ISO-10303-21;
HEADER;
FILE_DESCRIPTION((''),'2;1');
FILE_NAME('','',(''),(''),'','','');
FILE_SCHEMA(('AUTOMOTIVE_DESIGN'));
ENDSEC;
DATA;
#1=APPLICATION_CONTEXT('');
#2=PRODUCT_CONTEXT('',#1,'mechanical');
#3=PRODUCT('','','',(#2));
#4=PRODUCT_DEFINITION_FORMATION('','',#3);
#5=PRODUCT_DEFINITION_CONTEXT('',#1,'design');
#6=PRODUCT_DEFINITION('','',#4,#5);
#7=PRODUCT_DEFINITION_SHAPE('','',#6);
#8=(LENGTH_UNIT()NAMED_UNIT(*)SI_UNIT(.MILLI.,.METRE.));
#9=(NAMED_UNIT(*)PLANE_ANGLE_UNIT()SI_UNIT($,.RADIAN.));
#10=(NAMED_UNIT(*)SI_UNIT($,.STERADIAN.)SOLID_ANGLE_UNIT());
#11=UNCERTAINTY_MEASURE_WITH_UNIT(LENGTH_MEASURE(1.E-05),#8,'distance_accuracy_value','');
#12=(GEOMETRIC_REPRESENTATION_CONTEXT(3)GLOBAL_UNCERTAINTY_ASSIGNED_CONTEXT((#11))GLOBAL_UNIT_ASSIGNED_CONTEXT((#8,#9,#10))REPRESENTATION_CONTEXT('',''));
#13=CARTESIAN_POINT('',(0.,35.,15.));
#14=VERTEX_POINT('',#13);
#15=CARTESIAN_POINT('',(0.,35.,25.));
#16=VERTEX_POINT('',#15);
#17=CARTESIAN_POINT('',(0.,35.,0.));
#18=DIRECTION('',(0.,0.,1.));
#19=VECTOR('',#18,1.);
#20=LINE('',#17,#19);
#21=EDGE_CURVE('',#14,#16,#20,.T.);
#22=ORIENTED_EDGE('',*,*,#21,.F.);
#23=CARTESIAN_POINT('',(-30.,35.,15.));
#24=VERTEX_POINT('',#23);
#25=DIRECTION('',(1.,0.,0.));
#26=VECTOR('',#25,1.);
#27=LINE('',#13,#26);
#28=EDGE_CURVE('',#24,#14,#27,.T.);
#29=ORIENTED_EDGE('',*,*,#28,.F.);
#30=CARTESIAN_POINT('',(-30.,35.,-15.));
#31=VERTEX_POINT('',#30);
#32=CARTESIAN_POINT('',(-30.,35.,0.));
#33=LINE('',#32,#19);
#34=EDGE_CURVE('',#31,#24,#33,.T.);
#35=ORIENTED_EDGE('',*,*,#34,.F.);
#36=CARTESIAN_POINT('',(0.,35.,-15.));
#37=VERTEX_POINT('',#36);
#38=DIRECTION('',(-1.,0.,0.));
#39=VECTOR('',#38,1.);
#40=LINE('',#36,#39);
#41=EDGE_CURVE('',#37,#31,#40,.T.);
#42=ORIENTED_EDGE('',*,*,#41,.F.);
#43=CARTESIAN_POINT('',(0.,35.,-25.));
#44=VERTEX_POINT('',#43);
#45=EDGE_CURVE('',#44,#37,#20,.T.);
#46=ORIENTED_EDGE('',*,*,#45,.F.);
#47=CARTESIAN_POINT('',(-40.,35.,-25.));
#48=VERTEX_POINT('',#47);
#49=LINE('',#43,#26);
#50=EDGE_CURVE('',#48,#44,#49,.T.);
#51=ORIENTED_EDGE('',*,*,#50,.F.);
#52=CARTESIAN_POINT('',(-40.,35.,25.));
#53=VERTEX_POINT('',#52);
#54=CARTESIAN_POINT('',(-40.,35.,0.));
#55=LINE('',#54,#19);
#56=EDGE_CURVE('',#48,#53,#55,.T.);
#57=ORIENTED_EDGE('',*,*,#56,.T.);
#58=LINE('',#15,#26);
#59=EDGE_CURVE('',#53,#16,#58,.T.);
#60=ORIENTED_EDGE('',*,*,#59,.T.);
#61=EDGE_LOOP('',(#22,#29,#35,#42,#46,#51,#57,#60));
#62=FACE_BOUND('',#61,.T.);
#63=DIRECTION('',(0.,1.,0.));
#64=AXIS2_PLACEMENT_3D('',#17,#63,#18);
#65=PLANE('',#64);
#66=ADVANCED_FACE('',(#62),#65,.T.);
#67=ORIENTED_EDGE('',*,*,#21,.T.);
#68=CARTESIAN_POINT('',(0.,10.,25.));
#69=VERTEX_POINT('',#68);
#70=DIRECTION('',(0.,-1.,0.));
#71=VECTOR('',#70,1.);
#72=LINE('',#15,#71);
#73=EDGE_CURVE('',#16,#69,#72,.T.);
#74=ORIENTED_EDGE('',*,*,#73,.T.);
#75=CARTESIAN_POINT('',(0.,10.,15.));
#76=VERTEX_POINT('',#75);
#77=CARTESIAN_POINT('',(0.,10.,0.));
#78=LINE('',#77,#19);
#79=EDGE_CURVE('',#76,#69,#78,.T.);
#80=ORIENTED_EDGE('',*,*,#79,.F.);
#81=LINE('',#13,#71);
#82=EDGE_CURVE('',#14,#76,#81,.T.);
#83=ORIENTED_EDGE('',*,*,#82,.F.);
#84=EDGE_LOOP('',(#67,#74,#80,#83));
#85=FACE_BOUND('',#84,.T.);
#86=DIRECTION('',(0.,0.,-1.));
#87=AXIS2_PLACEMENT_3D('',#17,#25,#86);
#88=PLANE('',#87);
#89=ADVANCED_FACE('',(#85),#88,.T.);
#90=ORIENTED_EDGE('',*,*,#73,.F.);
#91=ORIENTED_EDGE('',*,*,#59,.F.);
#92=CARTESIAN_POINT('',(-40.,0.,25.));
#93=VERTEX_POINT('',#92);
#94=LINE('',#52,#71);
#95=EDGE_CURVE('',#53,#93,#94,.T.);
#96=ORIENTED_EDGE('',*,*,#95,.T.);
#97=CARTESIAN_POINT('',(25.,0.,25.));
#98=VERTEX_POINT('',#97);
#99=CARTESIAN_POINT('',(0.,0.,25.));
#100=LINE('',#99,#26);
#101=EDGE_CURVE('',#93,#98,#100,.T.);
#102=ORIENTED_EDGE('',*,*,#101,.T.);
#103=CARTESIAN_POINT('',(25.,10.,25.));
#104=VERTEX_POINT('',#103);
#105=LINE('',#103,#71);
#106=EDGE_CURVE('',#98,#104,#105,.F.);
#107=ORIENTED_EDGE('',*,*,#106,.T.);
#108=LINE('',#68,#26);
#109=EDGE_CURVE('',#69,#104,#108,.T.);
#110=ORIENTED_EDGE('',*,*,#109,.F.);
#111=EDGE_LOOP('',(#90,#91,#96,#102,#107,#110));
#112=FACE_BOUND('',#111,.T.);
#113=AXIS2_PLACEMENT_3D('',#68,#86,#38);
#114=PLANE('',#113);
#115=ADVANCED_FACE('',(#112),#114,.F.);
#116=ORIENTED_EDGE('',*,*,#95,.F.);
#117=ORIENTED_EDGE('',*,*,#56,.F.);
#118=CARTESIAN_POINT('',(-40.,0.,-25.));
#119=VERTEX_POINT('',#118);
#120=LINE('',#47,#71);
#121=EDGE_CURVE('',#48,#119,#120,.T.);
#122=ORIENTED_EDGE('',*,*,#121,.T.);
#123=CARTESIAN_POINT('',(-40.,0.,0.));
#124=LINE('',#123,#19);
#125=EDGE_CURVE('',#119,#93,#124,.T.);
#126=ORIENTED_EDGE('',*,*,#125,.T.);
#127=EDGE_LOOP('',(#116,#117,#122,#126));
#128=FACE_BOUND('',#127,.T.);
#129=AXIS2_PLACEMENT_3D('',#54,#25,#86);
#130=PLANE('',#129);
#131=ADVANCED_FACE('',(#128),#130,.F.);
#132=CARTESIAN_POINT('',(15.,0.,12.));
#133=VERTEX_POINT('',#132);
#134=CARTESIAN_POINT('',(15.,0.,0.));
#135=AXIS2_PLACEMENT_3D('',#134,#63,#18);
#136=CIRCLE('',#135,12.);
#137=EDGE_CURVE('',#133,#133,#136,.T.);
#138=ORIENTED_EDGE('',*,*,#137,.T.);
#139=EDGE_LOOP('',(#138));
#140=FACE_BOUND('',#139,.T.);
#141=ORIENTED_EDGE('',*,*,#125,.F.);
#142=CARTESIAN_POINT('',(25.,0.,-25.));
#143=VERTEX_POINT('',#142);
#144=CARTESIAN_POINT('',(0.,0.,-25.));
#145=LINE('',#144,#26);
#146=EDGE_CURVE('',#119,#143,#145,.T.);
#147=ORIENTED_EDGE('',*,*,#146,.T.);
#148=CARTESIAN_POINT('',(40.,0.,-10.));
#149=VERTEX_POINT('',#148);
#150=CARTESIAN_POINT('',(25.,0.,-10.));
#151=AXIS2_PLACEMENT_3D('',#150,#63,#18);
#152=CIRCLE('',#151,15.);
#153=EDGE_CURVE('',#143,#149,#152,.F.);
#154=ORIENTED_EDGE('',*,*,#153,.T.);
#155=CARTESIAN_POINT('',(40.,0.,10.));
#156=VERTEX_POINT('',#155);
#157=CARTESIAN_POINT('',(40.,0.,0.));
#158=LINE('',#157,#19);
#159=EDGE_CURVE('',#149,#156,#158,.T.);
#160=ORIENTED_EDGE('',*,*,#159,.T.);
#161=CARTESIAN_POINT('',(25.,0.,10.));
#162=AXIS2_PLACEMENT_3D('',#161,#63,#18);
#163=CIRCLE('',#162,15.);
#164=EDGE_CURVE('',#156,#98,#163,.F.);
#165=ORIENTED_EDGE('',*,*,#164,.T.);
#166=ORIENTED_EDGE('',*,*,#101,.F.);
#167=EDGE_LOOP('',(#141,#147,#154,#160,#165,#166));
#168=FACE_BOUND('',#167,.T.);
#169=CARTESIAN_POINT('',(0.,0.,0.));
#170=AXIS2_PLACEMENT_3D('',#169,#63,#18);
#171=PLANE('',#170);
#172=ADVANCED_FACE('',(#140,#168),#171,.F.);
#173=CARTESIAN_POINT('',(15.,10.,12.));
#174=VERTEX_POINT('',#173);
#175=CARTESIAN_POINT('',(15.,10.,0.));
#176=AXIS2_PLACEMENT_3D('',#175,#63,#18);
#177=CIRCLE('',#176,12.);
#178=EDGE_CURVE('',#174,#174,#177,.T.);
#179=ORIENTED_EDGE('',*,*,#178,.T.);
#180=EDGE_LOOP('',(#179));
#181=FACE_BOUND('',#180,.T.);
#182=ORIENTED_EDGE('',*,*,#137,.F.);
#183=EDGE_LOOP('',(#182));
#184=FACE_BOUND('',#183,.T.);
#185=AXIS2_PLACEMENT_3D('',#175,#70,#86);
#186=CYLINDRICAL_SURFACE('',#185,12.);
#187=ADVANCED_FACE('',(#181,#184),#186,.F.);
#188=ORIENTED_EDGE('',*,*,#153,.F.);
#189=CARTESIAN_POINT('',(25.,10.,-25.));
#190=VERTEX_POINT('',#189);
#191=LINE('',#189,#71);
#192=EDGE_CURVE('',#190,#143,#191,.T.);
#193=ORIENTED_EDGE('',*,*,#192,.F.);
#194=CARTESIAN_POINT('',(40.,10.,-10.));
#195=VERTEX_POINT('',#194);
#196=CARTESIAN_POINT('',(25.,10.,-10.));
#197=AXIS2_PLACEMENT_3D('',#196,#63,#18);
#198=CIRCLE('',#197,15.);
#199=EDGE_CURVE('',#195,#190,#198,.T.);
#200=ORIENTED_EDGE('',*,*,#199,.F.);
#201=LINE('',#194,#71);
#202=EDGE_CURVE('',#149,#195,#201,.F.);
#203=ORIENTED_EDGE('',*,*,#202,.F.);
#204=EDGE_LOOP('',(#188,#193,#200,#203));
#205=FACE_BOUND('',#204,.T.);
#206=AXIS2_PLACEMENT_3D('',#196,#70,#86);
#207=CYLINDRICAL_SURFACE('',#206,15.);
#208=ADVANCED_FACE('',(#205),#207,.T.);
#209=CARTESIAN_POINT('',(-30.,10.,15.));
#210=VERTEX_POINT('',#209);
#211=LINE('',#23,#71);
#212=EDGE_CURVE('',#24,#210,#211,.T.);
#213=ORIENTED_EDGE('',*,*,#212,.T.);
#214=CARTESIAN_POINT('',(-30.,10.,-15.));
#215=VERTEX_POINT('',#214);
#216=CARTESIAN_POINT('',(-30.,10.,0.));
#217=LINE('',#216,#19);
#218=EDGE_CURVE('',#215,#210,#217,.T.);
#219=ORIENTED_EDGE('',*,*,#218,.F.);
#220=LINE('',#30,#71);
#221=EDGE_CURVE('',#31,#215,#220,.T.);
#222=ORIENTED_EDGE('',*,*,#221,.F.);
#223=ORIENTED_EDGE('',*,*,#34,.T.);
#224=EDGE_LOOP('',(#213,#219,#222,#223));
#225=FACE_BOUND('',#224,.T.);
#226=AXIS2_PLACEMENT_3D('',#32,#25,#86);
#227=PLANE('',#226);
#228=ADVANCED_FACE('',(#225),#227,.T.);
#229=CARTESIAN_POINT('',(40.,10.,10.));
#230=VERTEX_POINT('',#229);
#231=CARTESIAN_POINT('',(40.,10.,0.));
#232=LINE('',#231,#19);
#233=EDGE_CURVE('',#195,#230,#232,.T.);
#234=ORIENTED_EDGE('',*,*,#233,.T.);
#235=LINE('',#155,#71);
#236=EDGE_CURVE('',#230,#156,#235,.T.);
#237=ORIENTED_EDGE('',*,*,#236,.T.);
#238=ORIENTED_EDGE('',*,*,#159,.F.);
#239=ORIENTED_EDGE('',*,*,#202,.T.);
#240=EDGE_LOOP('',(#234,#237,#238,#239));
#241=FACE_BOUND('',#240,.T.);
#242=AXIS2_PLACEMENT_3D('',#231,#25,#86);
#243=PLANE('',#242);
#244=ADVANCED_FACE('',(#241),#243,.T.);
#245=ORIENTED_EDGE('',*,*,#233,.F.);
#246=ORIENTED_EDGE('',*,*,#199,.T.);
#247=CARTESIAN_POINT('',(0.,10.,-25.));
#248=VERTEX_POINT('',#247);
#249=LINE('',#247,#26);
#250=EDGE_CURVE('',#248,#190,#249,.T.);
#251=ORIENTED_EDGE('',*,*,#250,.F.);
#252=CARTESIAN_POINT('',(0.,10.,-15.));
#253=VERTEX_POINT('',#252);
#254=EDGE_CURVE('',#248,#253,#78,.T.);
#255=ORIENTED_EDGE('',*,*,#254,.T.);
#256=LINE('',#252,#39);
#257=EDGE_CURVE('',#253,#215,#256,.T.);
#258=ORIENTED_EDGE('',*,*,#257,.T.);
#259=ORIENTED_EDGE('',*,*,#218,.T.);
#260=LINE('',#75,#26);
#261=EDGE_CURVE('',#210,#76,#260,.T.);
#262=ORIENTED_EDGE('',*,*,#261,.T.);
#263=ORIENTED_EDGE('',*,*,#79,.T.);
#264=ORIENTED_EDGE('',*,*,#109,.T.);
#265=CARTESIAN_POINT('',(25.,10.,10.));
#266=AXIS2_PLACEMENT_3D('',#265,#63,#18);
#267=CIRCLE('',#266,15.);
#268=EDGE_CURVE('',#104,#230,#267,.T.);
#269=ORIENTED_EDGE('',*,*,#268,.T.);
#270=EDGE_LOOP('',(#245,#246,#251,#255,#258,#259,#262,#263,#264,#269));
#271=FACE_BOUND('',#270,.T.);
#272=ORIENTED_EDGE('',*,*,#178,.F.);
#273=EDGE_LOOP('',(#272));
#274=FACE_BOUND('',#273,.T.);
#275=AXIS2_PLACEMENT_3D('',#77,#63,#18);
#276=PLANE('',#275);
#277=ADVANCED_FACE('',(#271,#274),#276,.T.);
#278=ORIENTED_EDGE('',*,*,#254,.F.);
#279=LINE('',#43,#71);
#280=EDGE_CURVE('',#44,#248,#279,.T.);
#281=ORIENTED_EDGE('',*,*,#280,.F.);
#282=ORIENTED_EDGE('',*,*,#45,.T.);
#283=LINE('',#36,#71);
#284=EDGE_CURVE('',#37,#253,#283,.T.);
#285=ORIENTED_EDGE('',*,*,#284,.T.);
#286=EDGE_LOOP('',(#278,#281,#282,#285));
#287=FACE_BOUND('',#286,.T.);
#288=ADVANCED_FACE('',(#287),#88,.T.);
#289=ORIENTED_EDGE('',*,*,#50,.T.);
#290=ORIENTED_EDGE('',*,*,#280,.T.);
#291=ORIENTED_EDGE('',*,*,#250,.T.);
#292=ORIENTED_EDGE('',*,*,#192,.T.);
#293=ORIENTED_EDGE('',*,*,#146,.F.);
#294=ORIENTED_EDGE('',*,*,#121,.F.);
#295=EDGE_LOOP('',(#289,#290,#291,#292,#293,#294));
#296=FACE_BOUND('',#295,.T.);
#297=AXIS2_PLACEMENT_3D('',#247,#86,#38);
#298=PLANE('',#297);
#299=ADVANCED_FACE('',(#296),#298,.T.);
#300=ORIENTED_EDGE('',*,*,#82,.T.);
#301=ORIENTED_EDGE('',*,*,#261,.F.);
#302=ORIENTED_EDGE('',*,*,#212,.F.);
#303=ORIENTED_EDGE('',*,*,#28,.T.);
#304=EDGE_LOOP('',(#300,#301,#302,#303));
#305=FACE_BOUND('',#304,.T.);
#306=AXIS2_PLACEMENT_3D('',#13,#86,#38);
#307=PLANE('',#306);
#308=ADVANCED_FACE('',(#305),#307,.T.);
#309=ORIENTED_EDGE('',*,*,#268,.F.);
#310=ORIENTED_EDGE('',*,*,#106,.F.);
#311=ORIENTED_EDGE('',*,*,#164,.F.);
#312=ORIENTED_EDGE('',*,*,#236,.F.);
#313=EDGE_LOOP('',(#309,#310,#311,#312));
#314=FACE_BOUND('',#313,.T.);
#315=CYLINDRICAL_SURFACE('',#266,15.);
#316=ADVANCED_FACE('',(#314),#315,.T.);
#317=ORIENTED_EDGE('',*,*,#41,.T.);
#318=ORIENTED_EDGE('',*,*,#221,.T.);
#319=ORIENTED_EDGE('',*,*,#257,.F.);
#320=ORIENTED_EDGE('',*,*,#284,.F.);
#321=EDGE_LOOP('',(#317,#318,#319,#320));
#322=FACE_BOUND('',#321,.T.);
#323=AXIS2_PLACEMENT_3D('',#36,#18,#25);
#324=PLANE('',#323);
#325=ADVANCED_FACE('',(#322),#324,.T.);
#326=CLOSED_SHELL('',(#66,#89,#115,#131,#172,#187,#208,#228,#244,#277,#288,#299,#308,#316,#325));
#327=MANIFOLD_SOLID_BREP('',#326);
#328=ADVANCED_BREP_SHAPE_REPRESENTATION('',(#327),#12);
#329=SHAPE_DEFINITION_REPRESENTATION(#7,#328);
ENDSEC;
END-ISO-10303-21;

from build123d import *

# Parameters (mm, degrees)
SKETCH1_R           = 12
BOSS_EXTRUDE1_DEPTH = 10
BOSS_EXTRUDE2_DEPTH = 35
FILLET1_R           = 15


with BuildPart() as part:
    # Sketch1 → Boss-Extrude1 (new body)
    with BuildSketch(Plane(origin=(0, 0, 0), x_dir=(1, 0, 0), z_dir=(0, 1, 0))):
        Polygon((40, 25), (0, 25), (0, 15), (-30, 15), (-30, -15), (0, -15), (0, -25), (40, -25), align=None)
        with Locations((15, 0)):
            Circle(SKETCH1_R, mode=Mode.SUBTRACT)
    extrude(amount=BOSS_EXTRUDE1_DEPTH)

    # Sketch1<3> → Boss-Extrude2 (add)
    with BuildSketch(Plane(origin=(0, 0, 0), x_dir=(1, 0, 0), z_dir=(0, 1, 0))):
        Polygon((0, 15), (0, 25), (-40, 25), (-40, -25), (0, -25), (0, -15), (-30, -15), (-30, 15), align=None)
    extrude(amount=BOSS_EXTRUDE2_DEPTH)

    # Fillet1
    fillet1_edges = [part.edges().sort_by_distance(p)[0] for p in [
        (40, 5, -25),
        (40, 5, 25),
    ]]
    fillet(fillet1_edges, radius=FILLET1_R)


solid = part.part
